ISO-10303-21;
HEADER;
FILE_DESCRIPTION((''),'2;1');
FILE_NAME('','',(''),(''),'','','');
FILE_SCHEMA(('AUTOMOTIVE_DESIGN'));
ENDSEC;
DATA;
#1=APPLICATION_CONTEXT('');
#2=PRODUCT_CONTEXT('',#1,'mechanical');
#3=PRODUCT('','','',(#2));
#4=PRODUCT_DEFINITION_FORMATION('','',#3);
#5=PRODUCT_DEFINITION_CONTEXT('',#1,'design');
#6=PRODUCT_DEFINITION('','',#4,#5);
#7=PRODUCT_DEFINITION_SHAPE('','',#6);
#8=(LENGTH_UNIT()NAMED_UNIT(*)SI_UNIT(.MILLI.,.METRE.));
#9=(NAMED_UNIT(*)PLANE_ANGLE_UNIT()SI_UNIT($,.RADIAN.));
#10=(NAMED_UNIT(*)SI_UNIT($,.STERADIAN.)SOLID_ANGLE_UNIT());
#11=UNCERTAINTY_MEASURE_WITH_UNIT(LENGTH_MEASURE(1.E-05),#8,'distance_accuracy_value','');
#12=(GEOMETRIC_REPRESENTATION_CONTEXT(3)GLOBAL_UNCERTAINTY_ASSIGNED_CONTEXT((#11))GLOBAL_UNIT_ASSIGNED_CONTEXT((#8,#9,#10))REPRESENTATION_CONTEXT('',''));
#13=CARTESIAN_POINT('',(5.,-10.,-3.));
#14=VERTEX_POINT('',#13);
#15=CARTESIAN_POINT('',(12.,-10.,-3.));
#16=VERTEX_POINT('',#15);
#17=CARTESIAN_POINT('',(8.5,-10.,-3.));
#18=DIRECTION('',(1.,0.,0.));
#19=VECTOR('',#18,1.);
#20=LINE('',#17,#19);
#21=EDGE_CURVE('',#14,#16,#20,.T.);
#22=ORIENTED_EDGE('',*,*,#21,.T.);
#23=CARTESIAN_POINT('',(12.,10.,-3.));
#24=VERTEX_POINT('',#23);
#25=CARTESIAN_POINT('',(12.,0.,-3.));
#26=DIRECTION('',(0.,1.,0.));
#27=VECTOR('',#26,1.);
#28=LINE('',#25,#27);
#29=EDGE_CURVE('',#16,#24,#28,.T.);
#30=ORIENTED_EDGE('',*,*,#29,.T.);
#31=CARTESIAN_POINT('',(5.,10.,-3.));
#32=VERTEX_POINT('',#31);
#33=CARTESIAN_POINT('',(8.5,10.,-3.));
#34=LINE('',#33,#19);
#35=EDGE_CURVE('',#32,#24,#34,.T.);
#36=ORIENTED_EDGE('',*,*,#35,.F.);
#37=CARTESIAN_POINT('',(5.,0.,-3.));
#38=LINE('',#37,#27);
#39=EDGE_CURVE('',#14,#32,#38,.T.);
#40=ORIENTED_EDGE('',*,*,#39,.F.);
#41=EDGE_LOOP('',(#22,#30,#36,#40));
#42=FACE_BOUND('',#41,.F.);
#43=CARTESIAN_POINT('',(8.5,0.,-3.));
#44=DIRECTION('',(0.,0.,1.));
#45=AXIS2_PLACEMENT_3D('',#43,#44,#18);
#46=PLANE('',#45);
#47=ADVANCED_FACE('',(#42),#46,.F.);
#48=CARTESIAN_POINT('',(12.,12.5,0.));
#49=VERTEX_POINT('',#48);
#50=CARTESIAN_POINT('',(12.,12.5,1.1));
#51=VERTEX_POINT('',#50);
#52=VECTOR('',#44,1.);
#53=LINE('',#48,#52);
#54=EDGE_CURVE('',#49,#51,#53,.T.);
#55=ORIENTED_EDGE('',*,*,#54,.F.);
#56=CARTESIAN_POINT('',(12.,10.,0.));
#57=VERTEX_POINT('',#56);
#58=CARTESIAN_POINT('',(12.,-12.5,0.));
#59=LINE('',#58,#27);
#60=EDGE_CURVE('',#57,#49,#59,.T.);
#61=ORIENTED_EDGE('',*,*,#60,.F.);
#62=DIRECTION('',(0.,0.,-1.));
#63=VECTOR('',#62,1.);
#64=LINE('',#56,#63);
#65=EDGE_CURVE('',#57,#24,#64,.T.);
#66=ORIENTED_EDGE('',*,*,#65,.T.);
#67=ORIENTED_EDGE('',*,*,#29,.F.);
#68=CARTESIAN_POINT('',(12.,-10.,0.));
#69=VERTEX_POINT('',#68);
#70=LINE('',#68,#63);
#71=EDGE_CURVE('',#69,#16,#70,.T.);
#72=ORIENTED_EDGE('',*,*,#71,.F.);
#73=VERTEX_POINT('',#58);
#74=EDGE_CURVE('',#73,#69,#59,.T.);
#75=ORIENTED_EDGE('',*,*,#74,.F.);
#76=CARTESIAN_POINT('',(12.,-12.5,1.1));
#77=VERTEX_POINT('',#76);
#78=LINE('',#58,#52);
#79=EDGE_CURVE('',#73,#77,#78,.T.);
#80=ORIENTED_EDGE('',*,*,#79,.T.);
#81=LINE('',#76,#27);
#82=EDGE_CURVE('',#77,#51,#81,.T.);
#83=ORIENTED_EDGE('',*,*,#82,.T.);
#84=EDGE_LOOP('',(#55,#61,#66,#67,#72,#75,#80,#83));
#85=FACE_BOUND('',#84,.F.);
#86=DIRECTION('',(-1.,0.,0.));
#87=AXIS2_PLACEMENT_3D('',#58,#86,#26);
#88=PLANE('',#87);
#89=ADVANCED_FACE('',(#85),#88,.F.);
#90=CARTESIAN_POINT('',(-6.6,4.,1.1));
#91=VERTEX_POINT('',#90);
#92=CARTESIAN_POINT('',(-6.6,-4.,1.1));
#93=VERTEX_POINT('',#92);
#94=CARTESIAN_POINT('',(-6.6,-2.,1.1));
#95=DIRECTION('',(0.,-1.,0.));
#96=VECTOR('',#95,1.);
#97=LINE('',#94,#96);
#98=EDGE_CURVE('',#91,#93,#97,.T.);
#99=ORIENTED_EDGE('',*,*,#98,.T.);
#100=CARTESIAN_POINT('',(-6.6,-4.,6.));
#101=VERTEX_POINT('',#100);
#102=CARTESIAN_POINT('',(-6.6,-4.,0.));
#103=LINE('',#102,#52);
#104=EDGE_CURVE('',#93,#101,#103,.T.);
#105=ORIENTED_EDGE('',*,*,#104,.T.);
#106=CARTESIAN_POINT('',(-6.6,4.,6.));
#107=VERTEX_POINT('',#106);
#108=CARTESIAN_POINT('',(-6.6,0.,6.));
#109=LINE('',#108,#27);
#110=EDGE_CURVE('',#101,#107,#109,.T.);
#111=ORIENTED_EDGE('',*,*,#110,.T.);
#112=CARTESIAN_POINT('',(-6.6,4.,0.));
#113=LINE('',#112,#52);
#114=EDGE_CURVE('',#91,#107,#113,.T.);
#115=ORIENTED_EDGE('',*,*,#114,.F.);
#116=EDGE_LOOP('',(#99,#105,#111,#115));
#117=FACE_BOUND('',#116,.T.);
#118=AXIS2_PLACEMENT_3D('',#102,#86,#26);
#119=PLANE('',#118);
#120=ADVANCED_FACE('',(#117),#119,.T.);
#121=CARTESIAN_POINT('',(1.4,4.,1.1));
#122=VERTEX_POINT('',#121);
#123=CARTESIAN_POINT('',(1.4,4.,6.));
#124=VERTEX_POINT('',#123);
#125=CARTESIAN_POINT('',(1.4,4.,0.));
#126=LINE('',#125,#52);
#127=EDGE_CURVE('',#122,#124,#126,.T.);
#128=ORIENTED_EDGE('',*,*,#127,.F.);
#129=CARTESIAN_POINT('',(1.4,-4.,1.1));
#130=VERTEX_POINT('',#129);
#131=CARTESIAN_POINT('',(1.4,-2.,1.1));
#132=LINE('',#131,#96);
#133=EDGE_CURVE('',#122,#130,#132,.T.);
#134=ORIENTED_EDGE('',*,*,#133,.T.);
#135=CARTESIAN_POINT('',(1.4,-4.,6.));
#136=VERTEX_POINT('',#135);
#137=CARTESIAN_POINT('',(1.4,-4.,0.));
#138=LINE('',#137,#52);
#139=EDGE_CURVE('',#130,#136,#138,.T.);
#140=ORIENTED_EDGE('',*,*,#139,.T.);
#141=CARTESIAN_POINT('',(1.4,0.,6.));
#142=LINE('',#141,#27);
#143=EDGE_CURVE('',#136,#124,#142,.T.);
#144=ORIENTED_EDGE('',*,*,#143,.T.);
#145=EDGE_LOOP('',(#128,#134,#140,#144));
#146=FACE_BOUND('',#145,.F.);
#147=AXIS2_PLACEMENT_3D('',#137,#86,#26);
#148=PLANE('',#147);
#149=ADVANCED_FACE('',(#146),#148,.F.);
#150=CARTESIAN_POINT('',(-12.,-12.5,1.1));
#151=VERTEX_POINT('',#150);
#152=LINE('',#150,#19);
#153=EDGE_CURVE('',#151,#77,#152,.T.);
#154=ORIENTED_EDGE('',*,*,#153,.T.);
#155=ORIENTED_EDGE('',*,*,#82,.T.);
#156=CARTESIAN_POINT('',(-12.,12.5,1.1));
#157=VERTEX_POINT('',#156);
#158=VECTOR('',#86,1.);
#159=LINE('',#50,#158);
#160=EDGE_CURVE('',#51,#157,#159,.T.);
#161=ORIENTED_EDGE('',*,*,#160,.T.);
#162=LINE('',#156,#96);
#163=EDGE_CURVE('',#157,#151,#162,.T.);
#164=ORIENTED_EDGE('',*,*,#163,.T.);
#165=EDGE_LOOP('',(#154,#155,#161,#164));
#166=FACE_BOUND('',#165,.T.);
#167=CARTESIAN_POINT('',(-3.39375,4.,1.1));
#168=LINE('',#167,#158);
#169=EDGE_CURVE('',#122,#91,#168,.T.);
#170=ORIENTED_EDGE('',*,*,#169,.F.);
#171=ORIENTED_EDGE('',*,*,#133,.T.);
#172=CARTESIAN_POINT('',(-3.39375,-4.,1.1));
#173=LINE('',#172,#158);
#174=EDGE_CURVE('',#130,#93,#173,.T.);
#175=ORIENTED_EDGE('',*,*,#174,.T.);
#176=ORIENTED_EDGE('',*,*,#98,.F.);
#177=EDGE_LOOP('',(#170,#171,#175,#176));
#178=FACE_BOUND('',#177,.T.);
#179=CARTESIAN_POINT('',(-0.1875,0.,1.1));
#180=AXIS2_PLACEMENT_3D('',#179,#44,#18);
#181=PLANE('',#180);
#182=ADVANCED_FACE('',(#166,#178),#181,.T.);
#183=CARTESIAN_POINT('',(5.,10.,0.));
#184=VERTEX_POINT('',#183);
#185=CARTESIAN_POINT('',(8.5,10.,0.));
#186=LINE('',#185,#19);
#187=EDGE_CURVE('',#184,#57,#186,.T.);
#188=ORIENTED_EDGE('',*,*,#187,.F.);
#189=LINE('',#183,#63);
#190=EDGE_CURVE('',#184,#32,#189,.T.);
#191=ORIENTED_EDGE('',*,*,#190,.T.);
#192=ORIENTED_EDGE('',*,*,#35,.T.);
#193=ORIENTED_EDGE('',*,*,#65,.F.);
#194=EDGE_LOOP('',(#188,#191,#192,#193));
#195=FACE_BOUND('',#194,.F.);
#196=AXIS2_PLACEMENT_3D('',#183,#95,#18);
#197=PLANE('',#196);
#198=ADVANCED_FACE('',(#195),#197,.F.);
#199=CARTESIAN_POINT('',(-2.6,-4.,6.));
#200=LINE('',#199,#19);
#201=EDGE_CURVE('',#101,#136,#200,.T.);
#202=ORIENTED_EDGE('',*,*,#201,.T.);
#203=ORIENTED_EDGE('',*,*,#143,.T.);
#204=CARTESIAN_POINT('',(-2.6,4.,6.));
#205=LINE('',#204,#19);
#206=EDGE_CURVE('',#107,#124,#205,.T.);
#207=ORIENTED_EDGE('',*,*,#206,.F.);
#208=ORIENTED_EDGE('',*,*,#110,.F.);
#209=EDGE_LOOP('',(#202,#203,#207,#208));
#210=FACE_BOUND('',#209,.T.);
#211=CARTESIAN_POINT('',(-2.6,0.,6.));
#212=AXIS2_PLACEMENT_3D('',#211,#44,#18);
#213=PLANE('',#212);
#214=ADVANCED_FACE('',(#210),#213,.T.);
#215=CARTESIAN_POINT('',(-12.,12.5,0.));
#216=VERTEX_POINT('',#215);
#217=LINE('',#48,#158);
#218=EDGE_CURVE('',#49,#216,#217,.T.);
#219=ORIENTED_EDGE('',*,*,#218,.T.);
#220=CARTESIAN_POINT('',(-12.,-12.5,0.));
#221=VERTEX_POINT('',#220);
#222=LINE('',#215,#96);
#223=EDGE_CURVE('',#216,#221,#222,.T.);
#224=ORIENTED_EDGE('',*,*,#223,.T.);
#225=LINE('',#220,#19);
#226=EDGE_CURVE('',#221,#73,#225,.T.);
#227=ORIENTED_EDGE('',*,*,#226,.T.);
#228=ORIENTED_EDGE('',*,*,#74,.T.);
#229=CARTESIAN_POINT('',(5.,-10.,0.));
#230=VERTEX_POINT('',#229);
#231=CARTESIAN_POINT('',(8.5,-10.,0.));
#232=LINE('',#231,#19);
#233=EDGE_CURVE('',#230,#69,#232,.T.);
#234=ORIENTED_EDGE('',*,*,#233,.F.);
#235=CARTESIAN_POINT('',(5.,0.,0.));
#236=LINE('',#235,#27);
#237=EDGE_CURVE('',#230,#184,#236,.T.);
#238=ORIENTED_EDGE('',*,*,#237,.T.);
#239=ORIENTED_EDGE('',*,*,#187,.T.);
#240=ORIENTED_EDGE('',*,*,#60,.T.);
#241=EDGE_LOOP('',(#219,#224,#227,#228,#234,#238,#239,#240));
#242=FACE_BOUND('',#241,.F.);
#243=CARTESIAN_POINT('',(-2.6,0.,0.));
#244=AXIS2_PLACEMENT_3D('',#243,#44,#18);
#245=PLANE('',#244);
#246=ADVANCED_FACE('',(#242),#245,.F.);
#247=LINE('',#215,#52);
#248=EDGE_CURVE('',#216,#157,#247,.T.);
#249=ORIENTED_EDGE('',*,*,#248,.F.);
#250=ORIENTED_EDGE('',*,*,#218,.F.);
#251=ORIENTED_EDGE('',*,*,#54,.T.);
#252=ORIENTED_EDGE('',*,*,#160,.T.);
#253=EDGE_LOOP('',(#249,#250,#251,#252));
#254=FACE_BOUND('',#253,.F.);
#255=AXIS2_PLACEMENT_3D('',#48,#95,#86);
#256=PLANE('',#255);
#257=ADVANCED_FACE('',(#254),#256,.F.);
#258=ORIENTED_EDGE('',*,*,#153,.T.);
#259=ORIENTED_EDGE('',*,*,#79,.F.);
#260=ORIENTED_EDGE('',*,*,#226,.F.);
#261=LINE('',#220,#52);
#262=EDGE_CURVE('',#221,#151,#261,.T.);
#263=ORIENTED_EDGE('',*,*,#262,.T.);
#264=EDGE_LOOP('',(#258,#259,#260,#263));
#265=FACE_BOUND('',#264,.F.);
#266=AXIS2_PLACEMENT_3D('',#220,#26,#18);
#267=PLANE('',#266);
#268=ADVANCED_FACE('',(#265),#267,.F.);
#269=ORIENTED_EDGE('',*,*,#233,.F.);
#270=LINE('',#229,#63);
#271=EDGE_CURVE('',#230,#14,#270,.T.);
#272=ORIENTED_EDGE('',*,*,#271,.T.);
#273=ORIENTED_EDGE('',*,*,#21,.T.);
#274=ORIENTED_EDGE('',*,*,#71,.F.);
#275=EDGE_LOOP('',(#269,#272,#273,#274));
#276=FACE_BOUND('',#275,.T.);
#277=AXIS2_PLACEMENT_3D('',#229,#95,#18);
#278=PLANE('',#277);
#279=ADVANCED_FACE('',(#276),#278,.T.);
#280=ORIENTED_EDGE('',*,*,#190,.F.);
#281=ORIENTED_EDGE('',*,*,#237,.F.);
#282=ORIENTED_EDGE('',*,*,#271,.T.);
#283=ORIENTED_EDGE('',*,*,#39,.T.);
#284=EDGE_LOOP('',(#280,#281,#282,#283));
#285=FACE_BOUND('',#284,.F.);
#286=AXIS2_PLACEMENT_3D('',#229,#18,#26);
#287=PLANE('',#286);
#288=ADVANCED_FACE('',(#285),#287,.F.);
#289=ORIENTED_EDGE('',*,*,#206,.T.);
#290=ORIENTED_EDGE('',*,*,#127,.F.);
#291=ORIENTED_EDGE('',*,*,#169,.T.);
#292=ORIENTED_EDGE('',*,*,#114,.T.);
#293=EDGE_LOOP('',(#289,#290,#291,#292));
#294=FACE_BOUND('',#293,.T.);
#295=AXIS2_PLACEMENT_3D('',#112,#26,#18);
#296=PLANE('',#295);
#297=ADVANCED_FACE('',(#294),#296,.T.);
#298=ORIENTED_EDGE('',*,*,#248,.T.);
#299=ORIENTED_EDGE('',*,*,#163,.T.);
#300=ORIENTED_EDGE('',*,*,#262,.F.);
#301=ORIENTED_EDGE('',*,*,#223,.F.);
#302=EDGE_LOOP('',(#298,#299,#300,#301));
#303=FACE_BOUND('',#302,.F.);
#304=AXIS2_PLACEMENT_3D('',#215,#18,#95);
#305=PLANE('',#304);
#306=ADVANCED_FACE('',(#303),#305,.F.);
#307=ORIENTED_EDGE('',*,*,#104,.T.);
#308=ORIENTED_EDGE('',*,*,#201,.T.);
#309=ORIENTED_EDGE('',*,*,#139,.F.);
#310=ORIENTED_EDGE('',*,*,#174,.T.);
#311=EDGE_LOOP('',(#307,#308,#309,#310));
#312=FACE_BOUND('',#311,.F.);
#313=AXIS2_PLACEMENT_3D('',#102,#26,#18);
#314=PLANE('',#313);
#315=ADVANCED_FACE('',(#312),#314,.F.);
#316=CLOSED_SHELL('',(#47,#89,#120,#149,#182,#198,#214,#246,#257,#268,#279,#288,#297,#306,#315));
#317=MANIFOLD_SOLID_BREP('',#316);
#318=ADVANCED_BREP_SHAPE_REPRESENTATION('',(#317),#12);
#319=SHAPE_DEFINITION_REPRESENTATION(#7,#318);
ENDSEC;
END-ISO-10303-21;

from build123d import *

# Parameters (mm, degrees)
F0_W     = 8
F0_H     = 8
F0_W_2   = 7
F0_H_2   = 20
F1_DEPTH = 1.1
F2_DEPTH = 6
F3_DEPTH = 3


with BuildPart() as f1:
    # F0 (on Top) → F1 (new body)
    with BuildSketch(Plane.XY):
        Polygon((12, 12.5), (-12, 12.5), (-12, -12.5), (12, -12.5), (12, -10), (5, -10), (5, 10), (12, 10), align=None)
        with Locations((-2.6, 0)):
            Rectangle(F0_W, F0_H, mode=Mode.SUBTRACT)
        with Locations((-2.6, 0)):
            Rectangle(F0_W, F0_H)
        with Locations((8.5, 0)):
            Rectangle(F0_W_2, F0_H_2)
    extrude(amount=F1_DEPTH)

    # F0 (on Top) → F2 (join)
    with BuildSketch(Plane.XY):
        with Locations((-2.6, 0)):
            Rectangle(F0_W, F0_H)
    extrude(amount=F2_DEPTH)

    # F0 (on Top) → F3 (join)
    with BuildSketch(Plane.XY):
        with Locations((8.5, 0)):
            Rectangle(F0_W_2, F0_H_2)
    extrude(amount=-F3_DEPTH)


solid = f1.part
